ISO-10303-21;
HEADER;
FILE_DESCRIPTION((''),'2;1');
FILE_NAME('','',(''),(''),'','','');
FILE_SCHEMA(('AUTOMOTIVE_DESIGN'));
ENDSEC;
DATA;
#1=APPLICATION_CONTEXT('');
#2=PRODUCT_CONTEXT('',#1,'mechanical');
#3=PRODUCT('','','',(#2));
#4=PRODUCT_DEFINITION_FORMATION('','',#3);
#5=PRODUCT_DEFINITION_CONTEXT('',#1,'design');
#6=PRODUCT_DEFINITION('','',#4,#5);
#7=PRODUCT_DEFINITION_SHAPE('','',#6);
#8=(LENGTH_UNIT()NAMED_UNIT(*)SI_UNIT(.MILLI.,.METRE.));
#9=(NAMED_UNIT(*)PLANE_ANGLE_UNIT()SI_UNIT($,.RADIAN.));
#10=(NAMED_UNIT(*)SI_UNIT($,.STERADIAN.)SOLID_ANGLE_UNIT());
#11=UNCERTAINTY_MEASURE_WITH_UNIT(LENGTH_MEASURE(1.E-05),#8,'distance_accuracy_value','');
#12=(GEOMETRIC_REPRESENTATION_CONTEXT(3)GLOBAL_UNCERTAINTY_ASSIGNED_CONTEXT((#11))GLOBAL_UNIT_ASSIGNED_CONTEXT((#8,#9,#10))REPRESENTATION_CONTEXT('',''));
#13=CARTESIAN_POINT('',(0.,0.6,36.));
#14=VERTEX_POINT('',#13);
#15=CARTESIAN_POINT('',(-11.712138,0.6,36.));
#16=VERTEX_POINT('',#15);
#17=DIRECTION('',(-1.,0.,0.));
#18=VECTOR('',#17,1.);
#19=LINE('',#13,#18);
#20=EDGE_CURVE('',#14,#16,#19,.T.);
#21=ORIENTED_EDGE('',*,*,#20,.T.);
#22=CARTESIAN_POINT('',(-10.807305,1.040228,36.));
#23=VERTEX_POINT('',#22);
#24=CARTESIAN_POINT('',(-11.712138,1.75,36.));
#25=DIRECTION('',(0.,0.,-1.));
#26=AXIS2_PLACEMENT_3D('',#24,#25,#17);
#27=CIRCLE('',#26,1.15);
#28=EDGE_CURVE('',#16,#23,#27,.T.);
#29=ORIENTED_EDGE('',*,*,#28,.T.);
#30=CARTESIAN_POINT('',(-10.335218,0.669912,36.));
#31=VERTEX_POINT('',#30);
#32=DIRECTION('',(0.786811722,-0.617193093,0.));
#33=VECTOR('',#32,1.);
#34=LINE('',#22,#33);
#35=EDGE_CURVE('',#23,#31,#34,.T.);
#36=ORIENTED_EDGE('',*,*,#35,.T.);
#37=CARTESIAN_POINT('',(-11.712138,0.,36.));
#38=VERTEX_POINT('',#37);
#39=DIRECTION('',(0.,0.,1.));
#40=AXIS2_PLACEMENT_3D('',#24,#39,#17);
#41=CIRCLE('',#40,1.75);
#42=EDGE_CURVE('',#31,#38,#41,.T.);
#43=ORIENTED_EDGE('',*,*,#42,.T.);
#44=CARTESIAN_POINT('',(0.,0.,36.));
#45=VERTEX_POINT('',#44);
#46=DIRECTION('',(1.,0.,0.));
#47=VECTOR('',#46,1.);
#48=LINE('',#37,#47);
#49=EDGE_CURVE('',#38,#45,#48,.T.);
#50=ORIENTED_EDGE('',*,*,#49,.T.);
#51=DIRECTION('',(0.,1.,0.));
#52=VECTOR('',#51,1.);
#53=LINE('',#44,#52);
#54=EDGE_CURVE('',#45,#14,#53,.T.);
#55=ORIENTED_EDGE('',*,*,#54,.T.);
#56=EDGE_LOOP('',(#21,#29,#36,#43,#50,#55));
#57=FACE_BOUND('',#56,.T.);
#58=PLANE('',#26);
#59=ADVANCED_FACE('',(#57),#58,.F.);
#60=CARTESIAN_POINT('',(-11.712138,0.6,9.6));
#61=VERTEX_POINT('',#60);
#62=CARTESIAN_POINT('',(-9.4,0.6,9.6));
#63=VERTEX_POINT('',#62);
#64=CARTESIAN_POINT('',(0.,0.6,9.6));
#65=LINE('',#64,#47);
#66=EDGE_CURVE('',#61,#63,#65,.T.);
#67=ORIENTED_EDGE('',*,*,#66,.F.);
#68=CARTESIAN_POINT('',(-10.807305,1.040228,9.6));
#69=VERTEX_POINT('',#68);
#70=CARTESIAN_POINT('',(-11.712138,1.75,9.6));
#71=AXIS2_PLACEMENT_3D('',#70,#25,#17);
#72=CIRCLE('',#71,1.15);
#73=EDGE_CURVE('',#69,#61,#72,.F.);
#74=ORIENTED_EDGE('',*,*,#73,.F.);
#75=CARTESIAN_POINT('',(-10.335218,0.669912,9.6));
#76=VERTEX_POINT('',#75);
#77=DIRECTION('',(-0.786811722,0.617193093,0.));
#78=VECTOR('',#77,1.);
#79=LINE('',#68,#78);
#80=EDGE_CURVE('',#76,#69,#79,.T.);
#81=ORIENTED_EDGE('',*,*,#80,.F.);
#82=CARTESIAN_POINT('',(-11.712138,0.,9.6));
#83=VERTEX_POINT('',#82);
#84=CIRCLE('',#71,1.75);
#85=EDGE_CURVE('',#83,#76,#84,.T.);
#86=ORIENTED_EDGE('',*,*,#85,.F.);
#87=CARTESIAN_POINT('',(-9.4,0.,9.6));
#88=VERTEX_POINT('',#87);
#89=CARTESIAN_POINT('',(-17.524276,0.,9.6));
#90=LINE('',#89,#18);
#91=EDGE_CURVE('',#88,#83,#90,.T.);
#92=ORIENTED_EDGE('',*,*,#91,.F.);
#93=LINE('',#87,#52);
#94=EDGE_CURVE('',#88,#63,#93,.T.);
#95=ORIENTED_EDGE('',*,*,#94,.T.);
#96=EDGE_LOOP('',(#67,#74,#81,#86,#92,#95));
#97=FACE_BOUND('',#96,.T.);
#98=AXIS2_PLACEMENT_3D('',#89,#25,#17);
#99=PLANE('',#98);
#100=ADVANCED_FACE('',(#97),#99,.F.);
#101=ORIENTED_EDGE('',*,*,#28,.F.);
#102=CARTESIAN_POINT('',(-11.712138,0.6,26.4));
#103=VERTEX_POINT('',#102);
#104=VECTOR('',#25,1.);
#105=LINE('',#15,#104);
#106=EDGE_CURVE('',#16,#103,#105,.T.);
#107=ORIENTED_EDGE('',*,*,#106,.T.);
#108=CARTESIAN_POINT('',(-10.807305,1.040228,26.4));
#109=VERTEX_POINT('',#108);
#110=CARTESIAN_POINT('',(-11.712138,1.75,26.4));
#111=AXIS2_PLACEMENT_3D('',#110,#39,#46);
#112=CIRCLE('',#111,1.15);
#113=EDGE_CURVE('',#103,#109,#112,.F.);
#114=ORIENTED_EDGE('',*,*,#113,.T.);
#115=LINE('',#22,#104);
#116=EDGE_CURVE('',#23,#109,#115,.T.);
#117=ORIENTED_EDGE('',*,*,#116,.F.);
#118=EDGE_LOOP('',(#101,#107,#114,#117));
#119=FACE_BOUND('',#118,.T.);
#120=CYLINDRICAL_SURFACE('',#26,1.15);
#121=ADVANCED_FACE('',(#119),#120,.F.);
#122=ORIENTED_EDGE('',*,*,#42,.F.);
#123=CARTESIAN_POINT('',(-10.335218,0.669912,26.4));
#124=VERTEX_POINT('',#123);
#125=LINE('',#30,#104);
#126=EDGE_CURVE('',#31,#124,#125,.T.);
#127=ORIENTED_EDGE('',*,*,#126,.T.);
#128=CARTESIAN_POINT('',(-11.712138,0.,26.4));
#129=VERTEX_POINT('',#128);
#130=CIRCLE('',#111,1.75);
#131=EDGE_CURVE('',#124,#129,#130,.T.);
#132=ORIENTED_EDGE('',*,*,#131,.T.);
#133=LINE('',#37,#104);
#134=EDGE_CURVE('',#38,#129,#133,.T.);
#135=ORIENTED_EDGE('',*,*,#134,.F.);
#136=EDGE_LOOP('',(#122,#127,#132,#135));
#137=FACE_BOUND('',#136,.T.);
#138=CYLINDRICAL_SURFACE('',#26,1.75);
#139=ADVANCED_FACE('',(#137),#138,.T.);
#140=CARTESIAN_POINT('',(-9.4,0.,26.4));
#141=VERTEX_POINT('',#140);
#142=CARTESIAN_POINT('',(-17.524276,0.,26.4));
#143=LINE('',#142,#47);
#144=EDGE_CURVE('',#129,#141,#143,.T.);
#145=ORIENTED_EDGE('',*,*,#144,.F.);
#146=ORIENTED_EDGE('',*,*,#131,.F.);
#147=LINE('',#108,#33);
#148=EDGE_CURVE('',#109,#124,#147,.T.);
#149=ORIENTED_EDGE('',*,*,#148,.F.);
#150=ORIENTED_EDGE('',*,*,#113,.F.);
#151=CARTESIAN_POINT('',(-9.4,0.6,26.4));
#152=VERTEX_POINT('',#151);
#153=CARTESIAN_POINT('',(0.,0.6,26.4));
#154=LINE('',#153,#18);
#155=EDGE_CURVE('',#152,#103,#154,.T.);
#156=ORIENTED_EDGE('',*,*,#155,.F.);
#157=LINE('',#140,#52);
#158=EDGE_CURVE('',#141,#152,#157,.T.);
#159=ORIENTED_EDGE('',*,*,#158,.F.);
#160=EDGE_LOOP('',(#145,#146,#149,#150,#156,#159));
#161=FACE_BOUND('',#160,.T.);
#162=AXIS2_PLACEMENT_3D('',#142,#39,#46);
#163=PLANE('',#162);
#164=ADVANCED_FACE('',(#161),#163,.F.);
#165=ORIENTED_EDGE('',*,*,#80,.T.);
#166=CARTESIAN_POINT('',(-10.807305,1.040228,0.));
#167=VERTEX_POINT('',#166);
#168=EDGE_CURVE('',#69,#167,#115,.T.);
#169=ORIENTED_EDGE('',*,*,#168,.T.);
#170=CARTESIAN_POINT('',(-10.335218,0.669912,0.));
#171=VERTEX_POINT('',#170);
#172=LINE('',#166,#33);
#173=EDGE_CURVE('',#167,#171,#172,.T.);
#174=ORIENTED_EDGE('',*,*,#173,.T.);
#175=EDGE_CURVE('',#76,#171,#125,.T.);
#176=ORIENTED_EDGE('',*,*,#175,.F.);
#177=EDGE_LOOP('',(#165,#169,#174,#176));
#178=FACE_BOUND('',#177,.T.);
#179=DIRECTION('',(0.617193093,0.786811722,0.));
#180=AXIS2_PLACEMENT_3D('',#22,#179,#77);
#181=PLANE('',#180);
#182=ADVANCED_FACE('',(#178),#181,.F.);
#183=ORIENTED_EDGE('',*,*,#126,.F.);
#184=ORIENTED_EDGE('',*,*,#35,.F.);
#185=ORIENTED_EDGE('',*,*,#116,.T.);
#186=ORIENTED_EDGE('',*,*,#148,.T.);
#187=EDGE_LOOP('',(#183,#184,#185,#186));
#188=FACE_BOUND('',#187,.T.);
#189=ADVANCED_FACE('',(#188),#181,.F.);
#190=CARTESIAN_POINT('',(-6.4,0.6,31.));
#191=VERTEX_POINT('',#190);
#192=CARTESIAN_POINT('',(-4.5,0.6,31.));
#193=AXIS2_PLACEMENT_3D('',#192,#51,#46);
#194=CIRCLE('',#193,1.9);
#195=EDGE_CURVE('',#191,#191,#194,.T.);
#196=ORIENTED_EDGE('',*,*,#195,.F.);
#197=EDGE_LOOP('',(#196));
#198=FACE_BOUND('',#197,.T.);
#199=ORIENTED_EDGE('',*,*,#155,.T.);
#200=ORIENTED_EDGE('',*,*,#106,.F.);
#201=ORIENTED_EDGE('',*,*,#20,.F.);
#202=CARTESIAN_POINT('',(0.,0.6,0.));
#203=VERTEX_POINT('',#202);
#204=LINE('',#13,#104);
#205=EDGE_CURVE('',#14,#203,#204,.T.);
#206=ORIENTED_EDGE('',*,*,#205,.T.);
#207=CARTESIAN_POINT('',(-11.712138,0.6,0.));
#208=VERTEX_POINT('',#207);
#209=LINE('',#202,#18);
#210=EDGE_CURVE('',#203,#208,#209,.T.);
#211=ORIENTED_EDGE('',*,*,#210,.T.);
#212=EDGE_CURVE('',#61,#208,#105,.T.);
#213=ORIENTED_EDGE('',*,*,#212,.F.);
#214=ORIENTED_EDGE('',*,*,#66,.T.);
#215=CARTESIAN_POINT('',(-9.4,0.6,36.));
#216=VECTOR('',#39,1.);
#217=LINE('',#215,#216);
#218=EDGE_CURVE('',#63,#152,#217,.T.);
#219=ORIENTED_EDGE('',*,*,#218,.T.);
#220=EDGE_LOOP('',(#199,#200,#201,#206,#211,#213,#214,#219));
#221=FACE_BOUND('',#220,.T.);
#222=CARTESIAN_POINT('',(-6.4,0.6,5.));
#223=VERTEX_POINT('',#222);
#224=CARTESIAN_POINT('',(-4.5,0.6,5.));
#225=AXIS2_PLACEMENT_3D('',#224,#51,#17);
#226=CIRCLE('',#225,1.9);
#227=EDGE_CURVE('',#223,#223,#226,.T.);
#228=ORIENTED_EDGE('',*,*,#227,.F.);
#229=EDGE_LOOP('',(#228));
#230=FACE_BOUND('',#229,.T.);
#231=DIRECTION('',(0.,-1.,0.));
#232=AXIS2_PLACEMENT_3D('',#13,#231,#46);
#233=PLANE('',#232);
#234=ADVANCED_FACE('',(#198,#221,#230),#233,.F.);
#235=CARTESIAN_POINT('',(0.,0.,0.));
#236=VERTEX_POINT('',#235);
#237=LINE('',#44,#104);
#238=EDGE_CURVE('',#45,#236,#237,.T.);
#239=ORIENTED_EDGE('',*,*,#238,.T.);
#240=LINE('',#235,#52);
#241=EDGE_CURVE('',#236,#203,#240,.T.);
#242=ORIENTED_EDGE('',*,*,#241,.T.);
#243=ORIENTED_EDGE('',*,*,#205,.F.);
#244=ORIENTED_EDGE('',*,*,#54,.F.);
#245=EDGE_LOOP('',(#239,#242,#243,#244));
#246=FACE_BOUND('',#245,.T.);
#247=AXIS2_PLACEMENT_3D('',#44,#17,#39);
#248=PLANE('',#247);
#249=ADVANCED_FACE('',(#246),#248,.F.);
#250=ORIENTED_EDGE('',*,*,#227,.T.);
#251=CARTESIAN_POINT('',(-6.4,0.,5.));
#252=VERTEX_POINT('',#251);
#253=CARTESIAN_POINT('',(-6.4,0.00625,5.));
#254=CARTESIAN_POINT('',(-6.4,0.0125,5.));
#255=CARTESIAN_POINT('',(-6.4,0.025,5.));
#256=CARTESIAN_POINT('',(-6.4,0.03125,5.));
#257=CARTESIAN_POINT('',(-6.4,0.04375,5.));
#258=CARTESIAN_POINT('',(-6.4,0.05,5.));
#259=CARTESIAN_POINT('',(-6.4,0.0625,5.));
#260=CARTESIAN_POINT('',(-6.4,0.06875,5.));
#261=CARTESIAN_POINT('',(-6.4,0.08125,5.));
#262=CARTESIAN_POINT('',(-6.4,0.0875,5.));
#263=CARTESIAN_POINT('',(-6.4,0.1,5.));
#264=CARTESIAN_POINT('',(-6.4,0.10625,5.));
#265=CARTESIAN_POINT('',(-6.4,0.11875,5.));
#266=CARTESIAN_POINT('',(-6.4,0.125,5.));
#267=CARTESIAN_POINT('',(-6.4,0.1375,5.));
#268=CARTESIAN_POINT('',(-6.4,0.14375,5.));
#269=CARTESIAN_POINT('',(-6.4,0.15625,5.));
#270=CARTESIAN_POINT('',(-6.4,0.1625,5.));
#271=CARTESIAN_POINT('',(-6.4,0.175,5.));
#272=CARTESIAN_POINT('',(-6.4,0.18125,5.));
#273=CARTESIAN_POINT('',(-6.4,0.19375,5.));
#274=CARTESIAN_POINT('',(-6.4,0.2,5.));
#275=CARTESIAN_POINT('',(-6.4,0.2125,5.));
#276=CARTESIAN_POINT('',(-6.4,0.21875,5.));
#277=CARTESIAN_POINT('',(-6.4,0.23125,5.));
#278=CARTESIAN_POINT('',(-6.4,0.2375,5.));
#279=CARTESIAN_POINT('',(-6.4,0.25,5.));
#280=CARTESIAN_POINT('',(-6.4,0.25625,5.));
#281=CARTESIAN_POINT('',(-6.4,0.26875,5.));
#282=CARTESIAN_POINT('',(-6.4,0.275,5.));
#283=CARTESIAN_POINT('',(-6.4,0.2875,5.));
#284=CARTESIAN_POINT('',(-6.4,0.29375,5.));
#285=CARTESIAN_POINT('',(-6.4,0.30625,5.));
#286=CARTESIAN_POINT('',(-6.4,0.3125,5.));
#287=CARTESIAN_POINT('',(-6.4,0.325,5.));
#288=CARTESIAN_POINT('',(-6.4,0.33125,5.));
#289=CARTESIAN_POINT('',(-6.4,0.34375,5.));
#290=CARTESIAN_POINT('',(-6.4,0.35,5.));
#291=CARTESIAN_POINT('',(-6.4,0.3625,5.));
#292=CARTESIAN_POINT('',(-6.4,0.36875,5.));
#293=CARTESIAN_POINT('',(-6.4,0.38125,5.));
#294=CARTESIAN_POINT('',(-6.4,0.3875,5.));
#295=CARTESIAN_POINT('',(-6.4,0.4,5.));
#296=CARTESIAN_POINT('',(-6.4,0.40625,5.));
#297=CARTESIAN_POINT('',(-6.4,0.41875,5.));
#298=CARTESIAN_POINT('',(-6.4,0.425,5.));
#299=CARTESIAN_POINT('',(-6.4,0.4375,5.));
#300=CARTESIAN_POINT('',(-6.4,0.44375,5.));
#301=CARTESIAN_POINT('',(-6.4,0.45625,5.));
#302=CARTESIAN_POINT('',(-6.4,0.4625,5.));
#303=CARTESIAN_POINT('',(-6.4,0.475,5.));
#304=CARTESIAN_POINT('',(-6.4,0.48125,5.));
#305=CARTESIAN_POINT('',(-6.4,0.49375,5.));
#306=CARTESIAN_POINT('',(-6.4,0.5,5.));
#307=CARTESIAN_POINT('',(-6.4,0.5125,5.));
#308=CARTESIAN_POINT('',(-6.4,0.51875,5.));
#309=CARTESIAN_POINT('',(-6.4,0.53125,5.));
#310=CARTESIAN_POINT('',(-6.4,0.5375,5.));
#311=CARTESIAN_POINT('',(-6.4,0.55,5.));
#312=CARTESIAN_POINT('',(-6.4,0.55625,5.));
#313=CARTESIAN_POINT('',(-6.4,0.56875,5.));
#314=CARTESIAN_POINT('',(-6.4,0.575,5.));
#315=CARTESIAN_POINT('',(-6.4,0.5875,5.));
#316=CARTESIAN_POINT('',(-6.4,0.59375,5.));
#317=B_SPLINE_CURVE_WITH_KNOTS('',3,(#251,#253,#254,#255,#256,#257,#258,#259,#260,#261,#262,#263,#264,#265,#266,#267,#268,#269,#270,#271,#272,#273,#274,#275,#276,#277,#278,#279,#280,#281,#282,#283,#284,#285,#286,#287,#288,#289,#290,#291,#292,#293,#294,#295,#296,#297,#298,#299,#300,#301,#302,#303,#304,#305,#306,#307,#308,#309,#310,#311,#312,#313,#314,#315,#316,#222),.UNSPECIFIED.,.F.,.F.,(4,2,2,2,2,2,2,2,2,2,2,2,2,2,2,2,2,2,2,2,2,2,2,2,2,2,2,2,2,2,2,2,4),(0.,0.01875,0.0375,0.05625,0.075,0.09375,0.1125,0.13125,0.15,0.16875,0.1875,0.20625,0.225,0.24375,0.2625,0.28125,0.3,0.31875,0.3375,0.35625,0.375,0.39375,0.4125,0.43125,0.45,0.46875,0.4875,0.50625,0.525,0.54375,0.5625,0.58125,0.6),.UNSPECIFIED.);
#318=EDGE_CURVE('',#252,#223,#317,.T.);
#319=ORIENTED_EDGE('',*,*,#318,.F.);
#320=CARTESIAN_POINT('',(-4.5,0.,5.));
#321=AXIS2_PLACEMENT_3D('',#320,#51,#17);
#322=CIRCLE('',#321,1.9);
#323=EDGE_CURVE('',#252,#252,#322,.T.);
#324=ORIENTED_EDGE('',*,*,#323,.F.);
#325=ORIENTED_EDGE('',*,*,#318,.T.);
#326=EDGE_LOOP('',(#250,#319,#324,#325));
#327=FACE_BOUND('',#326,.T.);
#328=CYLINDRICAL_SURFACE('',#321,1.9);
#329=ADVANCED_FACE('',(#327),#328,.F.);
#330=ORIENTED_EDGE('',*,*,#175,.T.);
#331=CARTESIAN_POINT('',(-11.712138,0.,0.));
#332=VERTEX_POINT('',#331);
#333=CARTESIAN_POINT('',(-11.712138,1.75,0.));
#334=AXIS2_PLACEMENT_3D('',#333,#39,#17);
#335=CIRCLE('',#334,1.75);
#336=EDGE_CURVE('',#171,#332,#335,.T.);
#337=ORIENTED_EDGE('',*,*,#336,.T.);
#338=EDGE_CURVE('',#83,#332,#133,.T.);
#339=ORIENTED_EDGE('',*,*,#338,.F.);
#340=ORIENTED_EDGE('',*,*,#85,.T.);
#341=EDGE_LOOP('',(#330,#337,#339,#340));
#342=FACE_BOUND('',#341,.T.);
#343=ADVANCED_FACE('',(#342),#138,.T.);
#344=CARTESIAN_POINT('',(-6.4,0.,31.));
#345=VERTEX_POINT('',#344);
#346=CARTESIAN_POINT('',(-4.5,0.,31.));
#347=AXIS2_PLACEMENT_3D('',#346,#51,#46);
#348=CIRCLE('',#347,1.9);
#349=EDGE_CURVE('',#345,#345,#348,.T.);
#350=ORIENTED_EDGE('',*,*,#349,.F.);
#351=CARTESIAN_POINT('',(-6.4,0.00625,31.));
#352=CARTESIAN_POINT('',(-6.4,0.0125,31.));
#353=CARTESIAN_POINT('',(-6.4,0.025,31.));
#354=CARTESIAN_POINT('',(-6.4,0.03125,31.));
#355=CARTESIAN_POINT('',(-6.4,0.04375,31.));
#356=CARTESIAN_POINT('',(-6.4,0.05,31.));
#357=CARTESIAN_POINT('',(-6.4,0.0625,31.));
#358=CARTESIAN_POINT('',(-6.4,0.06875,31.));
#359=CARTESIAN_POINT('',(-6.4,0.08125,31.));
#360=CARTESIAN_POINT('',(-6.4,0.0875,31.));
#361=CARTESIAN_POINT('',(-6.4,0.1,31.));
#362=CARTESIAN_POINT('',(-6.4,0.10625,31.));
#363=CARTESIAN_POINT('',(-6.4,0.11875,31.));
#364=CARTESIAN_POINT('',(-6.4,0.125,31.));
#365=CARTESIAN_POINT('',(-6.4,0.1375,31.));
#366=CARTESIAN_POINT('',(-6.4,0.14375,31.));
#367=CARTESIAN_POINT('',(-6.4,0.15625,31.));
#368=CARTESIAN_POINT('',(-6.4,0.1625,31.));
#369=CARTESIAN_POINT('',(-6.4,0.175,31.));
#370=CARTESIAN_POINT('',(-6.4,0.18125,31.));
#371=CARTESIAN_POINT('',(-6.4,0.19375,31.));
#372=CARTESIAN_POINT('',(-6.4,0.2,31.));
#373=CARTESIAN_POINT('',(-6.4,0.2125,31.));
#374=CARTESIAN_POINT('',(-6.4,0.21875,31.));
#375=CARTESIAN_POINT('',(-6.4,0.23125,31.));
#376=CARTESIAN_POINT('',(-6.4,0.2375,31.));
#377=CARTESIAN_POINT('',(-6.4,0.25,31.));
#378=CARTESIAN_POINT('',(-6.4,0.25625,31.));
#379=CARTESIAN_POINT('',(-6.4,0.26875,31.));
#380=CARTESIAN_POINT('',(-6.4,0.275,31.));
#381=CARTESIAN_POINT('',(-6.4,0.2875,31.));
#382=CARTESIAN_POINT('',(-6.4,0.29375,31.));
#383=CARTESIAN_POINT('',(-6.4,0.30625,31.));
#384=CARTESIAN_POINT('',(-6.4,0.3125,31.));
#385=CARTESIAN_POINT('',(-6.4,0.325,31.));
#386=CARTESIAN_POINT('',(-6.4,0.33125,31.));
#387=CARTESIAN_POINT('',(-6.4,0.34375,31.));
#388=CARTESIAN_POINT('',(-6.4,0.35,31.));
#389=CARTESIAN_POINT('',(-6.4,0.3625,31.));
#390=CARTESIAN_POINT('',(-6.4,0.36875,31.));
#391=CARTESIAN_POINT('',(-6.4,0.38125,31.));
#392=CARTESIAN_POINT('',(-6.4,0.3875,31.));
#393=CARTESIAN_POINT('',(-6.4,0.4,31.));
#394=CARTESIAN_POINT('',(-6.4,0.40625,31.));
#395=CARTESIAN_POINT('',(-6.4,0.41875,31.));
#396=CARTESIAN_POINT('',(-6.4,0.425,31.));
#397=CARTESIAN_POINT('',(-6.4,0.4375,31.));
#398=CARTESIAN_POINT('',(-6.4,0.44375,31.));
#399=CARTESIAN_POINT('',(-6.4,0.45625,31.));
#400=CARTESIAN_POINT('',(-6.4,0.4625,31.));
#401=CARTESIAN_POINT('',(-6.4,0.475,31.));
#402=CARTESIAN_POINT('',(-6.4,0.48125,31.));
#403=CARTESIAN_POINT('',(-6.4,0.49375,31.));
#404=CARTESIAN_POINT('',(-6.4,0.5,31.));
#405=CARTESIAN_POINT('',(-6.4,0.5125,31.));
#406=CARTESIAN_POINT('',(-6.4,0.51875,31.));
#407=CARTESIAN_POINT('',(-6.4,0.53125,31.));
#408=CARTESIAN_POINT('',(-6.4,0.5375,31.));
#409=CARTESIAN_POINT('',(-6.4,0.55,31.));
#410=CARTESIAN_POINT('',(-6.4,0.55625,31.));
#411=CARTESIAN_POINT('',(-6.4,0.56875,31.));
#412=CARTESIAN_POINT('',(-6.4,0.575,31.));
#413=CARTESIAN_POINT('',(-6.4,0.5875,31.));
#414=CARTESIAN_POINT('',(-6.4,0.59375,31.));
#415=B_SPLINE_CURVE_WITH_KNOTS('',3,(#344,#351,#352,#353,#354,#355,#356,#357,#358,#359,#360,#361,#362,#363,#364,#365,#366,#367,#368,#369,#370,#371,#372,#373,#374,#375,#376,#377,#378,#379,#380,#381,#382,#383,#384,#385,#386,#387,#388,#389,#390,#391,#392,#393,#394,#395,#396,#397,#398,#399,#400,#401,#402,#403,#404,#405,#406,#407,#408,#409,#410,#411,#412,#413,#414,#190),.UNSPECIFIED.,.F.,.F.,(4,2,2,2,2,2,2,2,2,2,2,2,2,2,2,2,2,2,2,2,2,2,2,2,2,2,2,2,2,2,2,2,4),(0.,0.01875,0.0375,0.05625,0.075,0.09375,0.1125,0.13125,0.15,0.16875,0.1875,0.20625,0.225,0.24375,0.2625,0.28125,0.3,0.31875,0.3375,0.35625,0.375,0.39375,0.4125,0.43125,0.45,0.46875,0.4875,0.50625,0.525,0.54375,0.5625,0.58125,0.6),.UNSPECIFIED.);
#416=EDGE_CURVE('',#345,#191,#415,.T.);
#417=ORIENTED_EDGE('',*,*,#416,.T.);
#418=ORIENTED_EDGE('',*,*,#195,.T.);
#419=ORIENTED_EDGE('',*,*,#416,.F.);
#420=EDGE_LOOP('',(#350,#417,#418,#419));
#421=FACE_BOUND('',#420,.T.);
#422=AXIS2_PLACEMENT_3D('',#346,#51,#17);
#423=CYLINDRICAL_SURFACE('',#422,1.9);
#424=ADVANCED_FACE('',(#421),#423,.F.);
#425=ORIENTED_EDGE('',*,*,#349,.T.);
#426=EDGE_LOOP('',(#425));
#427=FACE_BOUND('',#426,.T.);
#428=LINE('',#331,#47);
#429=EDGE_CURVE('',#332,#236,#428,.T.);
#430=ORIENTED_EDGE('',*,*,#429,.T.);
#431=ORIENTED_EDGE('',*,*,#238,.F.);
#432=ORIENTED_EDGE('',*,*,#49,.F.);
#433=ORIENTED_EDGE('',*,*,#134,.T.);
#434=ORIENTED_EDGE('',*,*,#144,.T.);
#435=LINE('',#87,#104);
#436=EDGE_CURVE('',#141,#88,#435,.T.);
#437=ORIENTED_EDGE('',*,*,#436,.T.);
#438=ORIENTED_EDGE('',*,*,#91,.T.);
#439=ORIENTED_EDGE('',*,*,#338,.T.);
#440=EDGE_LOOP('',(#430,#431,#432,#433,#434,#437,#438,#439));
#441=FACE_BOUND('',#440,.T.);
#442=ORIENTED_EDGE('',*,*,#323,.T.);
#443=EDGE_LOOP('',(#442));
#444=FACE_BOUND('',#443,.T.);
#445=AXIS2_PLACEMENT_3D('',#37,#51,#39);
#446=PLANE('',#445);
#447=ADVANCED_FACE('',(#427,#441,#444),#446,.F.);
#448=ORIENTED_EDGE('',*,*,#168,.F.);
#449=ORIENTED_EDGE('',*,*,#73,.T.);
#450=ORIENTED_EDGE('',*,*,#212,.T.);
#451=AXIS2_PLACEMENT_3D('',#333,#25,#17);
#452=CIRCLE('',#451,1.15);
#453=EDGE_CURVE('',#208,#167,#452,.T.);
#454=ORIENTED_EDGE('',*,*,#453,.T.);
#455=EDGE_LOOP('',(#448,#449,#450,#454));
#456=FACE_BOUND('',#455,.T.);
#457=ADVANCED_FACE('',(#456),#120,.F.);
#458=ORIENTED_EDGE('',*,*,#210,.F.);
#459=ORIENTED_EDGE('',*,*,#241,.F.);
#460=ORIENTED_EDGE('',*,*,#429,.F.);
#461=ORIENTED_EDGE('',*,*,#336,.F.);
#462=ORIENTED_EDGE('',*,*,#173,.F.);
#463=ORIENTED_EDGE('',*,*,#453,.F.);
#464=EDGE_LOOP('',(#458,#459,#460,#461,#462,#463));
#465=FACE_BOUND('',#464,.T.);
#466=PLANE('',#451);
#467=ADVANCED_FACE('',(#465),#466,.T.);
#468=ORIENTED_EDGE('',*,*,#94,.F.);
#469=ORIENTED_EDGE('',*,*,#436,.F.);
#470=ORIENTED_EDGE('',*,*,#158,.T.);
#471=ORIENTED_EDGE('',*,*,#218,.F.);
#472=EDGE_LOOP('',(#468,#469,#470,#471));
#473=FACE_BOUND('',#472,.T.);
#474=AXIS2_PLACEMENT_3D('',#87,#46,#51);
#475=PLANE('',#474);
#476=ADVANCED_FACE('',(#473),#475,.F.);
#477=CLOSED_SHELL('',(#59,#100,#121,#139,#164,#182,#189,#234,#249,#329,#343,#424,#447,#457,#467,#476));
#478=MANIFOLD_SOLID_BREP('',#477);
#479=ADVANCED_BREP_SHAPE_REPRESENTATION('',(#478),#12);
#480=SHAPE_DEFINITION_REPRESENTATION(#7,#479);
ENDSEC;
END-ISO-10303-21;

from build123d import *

# Parameters (mm, degrees)
BOSS_EXTRUDE1_DEPTH     = 36
SKETCH2_R               = 1.9
CUT_EXTRUDE1_DEPTH      = 39.543989963
CUT_EXTRUDE2_DEPTH      = 39.543989963
CUT_EXTRUDE2_DEPTH_BACK = 39.543989963
SKETCH3_W               = 8.124276203
SKETCH3_H               = 16.8


with BuildPart() as part:
    # Sketch1 → Boss-Extrude1 (new body)
    with BuildSketch(Plane.XY):
        with BuildLine():
            Line((0, 0), (0, 0.6))
            Line((0, 0.6), (-11.712138102, 0.6))
            ThreePointArc((-11.712138102, 0.6), (-12.215259426, 2.784102961), (-10.807304622, 1.040227943))
            Line((-10.807304622, 1.040227943), (-10.335217589, 0.669912086))
            ThreePointArc((-10.335217589, 0.669912086), (-12.477757508, 3.32363494), (-11.712138102, 0))
            Line((-11.712138102, 0), (0, 0))
        make_face()
    extrude(amount=BOSS_EXTRUDE1_DEPTH)

    # Sketch2 → Cut-Extrude1 (cut, through all)
    with BuildSketch(Plane(origin=(0, 0.6, 0), x_dir=(1, 0, 0), z_dir=(0, 1, 0))):
        with Locations(Location((-4.5, -5, 0), (0, 0, 180))):
            Circle(SKETCH2_R)
        with Locations(Location((-4.5, -31, 0), (0, 0, 180))):
            Circle(SKETCH2_R)
    extrude(amount=-CUT_EXTRUDE1_DEPTH, mode=Mode.SUBTRACT)

    # Sketch3 → Cut-Extrude2 (cut, two sides: drawn at the far end of the back side and taken through both)
    with BuildSketch(Plane(origin=(0, 0.6, 0), x_dir=(1, 0, 0), z_dir=(0, 1, 0)).offset(-CUT_EXTRUDE2_DEPTH_BACK)):
        with Locations((-13.462138101, -18)):
            Rectangle(SKETCH3_W, SKETCH3_H)
    extrude(amount=CUT_EXTRUDE2_DEPTH + CUT_EXTRUDE2_DEPTH_BACK, mode=Mode.SUBTRACT)


solid = part.part
